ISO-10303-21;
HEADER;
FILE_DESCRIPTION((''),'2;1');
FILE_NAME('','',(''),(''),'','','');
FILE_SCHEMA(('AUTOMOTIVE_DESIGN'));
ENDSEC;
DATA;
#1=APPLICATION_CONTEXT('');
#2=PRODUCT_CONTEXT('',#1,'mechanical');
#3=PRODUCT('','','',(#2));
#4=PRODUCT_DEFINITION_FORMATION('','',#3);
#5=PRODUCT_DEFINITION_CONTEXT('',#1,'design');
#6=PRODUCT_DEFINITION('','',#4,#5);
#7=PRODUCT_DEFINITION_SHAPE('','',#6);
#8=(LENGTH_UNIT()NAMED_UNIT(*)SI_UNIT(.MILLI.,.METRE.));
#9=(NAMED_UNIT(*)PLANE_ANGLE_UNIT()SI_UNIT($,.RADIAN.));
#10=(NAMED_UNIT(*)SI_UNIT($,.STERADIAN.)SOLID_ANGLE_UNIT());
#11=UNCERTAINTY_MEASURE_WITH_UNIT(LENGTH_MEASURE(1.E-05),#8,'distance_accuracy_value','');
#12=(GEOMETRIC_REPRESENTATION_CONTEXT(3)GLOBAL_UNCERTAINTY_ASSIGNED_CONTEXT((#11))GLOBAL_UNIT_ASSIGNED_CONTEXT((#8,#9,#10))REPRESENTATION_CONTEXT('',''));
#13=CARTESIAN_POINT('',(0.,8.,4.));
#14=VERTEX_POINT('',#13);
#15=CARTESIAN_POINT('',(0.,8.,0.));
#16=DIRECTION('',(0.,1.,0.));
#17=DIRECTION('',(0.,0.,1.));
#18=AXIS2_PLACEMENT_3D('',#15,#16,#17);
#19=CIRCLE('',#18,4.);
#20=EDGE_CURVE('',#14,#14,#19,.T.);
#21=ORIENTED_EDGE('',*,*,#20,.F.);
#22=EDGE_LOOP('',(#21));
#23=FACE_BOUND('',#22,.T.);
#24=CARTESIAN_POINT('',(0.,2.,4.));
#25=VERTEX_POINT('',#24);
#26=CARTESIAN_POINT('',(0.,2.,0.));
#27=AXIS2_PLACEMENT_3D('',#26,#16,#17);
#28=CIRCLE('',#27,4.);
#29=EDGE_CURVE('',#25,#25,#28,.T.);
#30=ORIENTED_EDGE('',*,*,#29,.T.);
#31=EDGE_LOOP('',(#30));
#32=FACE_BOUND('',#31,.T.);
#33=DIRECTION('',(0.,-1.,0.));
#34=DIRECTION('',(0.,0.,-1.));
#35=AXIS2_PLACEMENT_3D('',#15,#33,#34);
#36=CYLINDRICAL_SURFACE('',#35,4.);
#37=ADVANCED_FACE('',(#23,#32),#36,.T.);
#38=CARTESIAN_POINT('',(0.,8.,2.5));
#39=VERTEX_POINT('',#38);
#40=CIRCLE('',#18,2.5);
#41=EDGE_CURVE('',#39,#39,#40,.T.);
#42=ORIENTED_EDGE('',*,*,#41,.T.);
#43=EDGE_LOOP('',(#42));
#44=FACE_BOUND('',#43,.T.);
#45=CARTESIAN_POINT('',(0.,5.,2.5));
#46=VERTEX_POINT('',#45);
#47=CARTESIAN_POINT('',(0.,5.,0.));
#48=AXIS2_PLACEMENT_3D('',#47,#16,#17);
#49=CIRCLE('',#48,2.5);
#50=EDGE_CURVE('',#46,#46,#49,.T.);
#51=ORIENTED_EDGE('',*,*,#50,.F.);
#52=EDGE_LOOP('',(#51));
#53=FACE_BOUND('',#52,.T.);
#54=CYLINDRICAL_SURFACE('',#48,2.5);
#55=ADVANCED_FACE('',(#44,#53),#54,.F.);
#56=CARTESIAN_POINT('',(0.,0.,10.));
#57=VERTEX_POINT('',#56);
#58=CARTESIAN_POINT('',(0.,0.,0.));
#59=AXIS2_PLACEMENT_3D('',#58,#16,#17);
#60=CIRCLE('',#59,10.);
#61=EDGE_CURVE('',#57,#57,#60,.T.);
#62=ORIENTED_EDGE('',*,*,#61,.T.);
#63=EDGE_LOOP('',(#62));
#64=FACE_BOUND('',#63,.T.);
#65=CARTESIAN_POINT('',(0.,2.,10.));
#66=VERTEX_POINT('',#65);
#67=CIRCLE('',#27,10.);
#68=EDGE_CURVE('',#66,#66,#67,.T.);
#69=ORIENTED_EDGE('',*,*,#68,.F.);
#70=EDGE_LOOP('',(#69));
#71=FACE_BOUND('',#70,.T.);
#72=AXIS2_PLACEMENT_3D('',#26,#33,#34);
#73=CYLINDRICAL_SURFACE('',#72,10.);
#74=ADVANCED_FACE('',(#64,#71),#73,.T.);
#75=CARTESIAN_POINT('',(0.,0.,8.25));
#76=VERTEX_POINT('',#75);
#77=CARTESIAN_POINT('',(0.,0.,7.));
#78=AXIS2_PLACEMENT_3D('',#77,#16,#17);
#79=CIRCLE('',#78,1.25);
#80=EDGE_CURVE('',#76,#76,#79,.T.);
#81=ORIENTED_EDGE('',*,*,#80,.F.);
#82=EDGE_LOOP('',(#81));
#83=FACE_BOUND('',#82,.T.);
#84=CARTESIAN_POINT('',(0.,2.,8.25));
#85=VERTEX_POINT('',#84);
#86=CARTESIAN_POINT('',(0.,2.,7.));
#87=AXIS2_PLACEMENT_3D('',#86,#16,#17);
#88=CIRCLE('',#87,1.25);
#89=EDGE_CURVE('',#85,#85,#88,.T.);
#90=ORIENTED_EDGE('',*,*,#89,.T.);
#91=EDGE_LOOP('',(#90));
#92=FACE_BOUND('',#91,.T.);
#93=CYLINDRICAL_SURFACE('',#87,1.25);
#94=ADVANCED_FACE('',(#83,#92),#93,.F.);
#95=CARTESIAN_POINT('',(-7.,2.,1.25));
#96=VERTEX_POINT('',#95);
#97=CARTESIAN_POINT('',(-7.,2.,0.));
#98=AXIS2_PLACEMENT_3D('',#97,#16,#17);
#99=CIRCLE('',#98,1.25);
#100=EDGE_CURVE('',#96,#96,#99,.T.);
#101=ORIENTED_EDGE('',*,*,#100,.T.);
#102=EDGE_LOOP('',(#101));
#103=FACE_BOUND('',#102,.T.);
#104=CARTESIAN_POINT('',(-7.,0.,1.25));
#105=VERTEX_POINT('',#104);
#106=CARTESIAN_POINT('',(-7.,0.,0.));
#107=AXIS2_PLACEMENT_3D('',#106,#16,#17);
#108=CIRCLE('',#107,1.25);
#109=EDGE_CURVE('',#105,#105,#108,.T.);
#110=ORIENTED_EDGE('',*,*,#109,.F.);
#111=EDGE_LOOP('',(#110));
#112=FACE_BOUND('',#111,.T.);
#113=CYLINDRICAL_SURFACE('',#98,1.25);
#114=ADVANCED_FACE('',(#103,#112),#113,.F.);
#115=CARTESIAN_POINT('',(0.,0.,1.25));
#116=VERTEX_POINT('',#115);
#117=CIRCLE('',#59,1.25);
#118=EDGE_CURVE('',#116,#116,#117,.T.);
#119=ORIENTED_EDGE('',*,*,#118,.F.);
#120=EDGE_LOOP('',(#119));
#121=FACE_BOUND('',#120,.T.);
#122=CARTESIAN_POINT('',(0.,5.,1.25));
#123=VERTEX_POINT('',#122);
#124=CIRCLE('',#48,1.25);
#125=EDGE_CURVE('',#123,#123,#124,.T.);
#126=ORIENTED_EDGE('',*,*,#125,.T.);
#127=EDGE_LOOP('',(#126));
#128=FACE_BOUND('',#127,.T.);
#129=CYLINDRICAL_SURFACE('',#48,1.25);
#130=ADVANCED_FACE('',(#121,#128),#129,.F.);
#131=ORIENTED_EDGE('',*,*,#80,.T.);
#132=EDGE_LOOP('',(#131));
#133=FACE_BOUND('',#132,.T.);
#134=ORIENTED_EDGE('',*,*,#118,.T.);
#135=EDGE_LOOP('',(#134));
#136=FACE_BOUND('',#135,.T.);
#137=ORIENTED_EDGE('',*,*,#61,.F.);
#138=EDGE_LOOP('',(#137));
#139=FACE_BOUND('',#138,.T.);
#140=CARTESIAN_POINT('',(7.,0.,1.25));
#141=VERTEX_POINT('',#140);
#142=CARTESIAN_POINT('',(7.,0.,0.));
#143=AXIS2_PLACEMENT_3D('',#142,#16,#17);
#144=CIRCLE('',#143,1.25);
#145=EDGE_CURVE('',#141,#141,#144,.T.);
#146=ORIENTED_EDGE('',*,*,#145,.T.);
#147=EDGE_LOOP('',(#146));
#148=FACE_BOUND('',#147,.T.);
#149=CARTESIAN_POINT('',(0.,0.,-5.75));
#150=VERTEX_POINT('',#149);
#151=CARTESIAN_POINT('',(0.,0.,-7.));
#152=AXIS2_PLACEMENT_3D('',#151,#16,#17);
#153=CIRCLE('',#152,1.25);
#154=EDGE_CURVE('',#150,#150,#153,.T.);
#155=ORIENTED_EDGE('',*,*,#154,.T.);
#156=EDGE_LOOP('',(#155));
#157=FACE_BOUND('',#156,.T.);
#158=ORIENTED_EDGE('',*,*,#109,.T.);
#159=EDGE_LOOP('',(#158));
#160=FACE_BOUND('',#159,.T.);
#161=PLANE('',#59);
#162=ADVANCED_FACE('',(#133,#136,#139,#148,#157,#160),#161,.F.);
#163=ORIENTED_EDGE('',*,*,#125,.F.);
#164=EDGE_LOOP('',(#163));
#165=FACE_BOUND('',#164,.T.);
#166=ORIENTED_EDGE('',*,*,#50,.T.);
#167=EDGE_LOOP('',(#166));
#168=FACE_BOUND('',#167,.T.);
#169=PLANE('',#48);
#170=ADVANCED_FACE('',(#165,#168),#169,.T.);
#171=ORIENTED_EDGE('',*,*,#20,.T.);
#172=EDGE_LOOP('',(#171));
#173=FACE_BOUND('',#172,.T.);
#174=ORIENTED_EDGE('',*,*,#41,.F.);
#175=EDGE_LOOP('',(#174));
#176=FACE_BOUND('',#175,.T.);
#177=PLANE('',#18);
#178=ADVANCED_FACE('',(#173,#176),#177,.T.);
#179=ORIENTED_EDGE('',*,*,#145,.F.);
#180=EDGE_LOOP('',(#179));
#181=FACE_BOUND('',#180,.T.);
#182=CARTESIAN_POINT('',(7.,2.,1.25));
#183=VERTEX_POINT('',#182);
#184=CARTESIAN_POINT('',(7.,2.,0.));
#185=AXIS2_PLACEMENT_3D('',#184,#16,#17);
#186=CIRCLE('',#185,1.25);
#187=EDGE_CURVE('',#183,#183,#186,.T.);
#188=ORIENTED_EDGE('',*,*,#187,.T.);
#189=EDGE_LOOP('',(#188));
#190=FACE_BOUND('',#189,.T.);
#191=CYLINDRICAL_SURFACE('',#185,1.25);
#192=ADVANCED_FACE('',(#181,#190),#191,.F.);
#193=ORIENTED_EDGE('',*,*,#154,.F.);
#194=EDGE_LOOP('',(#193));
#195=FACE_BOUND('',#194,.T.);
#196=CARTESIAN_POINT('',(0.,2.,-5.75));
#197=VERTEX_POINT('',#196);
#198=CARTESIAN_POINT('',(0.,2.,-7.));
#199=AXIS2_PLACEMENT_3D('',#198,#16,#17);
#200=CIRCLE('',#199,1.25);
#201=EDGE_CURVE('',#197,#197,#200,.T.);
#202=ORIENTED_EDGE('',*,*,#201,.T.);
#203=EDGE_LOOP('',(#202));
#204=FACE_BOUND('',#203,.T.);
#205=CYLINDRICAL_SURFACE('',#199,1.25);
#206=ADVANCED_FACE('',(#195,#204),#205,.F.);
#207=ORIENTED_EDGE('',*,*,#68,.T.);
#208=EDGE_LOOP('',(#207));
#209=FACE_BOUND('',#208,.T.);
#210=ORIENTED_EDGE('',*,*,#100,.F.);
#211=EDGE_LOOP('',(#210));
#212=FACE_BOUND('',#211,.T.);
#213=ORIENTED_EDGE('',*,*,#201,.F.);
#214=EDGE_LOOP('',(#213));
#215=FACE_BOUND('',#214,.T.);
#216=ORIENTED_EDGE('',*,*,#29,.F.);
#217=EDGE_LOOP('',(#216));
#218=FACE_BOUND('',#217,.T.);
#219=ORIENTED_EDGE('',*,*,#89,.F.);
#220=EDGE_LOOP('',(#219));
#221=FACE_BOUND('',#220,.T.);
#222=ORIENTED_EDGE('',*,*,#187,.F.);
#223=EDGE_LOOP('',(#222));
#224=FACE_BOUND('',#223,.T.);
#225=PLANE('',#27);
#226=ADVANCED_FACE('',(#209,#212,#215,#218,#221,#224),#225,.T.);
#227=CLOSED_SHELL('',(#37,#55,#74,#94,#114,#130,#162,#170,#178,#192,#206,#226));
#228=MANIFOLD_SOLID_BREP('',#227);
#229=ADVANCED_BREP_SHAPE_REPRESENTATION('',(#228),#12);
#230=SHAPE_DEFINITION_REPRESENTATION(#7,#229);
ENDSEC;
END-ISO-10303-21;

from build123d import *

# Parameters (mm, degrees)
SKETCH1_R                       = 10
BOSS_EXTRUDE1_DEPTH             = 2
TAP_DRILL_FOR_M3X0_5_TAP1_D     = 2.5
TAP_DRILL_FOR_M3X0_5_TAP1_DEPTH = 38.1
CIRPATTERN1_COUNT               = 4
SKETCH4_R                       = 4
BOSS_EXTRUDE2_DEPTH             = 6
SKETCH5_R                       = 2.5
CUT_EXTRUDE1_DEPTH              = 3
TAP_DRILL_FOR_M3X0_5_TAP2_D     = 2.5
TAP_DRILL_FOR_M3X0_5_TAP2_DEPTH = 38.1


with BuildPart() as part:
    # Sketch1 → Boss-Extrude1 (new body)
    with BuildSketch(Plane(origin=(0, 0, 0), x_dir=(1, 0, 0), z_dir=(0, 1, 0))):
        Circle(SKETCH1_R)
    extrude(amount=BOSS_EXTRUDE1_DEPTH)

    # Tap Drill for M3x0.5 Tap1
    with Locations(Plane(origin=(0, 2, 0), x_dir=(1, 0, 0), z_dir=(0, 1, 0))):
        with Locations((7, 0)):
            tap_drill_for_m3x0_5_tap1 = Hole(TAP_DRILL_FOR_M3X0_5_TAP1_D / 2, depth=TAP_DRILL_FOR_M3X0_5_TAP1_DEPTH)

    # CirPattern1: Tap Drill for M3x0.5 Tap1 ×4 about axis
    cirpattern1_axis = Axis((0, 2, 0), (0, -1, 0))
    for i in range(1, CIRPATTERN1_COUNT):
        add(tap_drill_for_m3x0_5_tap1.rotate(cirpattern1_axis, i * 360 / CIRPATTERN1_COUNT), mode=Mode.SUBTRACT)

    # Sketch4 → Boss-Extrude2 (add)
    with BuildSketch(Plane(origin=(0, 2, 0), x_dir=(1, 0, 0), z_dir=(0, 1, 0))):
        Circle(SKETCH4_R)
    extrude(amount=BOSS_EXTRUDE2_DEPTH)

    # Sketch5 → Cut-Extrude1 (cut)
    with BuildSketch(Plane(origin=(0, 8, 0), x_dir=(1, 0, 0), z_dir=(0, 1, 0))):
        Circle(SKETCH5_R)
    extrude(amount=-CUT_EXTRUDE1_DEPTH, mode=Mode.SUBTRACT)

    # Tap Drill for M3x0.5 Tap2
    with Locations(Plane(origin=(0, 5, 0), x_dir=(1, 0, 0), z_dir=(0, 1, 0))):
        with Locations((0, 0)):
            Hole(TAP_DRILL_FOR_M3X0_5_TAP2_D / 2, depth=TAP_DRILL_FOR_M3X0_5_TAP2_DEPTH)


solid = part.part
